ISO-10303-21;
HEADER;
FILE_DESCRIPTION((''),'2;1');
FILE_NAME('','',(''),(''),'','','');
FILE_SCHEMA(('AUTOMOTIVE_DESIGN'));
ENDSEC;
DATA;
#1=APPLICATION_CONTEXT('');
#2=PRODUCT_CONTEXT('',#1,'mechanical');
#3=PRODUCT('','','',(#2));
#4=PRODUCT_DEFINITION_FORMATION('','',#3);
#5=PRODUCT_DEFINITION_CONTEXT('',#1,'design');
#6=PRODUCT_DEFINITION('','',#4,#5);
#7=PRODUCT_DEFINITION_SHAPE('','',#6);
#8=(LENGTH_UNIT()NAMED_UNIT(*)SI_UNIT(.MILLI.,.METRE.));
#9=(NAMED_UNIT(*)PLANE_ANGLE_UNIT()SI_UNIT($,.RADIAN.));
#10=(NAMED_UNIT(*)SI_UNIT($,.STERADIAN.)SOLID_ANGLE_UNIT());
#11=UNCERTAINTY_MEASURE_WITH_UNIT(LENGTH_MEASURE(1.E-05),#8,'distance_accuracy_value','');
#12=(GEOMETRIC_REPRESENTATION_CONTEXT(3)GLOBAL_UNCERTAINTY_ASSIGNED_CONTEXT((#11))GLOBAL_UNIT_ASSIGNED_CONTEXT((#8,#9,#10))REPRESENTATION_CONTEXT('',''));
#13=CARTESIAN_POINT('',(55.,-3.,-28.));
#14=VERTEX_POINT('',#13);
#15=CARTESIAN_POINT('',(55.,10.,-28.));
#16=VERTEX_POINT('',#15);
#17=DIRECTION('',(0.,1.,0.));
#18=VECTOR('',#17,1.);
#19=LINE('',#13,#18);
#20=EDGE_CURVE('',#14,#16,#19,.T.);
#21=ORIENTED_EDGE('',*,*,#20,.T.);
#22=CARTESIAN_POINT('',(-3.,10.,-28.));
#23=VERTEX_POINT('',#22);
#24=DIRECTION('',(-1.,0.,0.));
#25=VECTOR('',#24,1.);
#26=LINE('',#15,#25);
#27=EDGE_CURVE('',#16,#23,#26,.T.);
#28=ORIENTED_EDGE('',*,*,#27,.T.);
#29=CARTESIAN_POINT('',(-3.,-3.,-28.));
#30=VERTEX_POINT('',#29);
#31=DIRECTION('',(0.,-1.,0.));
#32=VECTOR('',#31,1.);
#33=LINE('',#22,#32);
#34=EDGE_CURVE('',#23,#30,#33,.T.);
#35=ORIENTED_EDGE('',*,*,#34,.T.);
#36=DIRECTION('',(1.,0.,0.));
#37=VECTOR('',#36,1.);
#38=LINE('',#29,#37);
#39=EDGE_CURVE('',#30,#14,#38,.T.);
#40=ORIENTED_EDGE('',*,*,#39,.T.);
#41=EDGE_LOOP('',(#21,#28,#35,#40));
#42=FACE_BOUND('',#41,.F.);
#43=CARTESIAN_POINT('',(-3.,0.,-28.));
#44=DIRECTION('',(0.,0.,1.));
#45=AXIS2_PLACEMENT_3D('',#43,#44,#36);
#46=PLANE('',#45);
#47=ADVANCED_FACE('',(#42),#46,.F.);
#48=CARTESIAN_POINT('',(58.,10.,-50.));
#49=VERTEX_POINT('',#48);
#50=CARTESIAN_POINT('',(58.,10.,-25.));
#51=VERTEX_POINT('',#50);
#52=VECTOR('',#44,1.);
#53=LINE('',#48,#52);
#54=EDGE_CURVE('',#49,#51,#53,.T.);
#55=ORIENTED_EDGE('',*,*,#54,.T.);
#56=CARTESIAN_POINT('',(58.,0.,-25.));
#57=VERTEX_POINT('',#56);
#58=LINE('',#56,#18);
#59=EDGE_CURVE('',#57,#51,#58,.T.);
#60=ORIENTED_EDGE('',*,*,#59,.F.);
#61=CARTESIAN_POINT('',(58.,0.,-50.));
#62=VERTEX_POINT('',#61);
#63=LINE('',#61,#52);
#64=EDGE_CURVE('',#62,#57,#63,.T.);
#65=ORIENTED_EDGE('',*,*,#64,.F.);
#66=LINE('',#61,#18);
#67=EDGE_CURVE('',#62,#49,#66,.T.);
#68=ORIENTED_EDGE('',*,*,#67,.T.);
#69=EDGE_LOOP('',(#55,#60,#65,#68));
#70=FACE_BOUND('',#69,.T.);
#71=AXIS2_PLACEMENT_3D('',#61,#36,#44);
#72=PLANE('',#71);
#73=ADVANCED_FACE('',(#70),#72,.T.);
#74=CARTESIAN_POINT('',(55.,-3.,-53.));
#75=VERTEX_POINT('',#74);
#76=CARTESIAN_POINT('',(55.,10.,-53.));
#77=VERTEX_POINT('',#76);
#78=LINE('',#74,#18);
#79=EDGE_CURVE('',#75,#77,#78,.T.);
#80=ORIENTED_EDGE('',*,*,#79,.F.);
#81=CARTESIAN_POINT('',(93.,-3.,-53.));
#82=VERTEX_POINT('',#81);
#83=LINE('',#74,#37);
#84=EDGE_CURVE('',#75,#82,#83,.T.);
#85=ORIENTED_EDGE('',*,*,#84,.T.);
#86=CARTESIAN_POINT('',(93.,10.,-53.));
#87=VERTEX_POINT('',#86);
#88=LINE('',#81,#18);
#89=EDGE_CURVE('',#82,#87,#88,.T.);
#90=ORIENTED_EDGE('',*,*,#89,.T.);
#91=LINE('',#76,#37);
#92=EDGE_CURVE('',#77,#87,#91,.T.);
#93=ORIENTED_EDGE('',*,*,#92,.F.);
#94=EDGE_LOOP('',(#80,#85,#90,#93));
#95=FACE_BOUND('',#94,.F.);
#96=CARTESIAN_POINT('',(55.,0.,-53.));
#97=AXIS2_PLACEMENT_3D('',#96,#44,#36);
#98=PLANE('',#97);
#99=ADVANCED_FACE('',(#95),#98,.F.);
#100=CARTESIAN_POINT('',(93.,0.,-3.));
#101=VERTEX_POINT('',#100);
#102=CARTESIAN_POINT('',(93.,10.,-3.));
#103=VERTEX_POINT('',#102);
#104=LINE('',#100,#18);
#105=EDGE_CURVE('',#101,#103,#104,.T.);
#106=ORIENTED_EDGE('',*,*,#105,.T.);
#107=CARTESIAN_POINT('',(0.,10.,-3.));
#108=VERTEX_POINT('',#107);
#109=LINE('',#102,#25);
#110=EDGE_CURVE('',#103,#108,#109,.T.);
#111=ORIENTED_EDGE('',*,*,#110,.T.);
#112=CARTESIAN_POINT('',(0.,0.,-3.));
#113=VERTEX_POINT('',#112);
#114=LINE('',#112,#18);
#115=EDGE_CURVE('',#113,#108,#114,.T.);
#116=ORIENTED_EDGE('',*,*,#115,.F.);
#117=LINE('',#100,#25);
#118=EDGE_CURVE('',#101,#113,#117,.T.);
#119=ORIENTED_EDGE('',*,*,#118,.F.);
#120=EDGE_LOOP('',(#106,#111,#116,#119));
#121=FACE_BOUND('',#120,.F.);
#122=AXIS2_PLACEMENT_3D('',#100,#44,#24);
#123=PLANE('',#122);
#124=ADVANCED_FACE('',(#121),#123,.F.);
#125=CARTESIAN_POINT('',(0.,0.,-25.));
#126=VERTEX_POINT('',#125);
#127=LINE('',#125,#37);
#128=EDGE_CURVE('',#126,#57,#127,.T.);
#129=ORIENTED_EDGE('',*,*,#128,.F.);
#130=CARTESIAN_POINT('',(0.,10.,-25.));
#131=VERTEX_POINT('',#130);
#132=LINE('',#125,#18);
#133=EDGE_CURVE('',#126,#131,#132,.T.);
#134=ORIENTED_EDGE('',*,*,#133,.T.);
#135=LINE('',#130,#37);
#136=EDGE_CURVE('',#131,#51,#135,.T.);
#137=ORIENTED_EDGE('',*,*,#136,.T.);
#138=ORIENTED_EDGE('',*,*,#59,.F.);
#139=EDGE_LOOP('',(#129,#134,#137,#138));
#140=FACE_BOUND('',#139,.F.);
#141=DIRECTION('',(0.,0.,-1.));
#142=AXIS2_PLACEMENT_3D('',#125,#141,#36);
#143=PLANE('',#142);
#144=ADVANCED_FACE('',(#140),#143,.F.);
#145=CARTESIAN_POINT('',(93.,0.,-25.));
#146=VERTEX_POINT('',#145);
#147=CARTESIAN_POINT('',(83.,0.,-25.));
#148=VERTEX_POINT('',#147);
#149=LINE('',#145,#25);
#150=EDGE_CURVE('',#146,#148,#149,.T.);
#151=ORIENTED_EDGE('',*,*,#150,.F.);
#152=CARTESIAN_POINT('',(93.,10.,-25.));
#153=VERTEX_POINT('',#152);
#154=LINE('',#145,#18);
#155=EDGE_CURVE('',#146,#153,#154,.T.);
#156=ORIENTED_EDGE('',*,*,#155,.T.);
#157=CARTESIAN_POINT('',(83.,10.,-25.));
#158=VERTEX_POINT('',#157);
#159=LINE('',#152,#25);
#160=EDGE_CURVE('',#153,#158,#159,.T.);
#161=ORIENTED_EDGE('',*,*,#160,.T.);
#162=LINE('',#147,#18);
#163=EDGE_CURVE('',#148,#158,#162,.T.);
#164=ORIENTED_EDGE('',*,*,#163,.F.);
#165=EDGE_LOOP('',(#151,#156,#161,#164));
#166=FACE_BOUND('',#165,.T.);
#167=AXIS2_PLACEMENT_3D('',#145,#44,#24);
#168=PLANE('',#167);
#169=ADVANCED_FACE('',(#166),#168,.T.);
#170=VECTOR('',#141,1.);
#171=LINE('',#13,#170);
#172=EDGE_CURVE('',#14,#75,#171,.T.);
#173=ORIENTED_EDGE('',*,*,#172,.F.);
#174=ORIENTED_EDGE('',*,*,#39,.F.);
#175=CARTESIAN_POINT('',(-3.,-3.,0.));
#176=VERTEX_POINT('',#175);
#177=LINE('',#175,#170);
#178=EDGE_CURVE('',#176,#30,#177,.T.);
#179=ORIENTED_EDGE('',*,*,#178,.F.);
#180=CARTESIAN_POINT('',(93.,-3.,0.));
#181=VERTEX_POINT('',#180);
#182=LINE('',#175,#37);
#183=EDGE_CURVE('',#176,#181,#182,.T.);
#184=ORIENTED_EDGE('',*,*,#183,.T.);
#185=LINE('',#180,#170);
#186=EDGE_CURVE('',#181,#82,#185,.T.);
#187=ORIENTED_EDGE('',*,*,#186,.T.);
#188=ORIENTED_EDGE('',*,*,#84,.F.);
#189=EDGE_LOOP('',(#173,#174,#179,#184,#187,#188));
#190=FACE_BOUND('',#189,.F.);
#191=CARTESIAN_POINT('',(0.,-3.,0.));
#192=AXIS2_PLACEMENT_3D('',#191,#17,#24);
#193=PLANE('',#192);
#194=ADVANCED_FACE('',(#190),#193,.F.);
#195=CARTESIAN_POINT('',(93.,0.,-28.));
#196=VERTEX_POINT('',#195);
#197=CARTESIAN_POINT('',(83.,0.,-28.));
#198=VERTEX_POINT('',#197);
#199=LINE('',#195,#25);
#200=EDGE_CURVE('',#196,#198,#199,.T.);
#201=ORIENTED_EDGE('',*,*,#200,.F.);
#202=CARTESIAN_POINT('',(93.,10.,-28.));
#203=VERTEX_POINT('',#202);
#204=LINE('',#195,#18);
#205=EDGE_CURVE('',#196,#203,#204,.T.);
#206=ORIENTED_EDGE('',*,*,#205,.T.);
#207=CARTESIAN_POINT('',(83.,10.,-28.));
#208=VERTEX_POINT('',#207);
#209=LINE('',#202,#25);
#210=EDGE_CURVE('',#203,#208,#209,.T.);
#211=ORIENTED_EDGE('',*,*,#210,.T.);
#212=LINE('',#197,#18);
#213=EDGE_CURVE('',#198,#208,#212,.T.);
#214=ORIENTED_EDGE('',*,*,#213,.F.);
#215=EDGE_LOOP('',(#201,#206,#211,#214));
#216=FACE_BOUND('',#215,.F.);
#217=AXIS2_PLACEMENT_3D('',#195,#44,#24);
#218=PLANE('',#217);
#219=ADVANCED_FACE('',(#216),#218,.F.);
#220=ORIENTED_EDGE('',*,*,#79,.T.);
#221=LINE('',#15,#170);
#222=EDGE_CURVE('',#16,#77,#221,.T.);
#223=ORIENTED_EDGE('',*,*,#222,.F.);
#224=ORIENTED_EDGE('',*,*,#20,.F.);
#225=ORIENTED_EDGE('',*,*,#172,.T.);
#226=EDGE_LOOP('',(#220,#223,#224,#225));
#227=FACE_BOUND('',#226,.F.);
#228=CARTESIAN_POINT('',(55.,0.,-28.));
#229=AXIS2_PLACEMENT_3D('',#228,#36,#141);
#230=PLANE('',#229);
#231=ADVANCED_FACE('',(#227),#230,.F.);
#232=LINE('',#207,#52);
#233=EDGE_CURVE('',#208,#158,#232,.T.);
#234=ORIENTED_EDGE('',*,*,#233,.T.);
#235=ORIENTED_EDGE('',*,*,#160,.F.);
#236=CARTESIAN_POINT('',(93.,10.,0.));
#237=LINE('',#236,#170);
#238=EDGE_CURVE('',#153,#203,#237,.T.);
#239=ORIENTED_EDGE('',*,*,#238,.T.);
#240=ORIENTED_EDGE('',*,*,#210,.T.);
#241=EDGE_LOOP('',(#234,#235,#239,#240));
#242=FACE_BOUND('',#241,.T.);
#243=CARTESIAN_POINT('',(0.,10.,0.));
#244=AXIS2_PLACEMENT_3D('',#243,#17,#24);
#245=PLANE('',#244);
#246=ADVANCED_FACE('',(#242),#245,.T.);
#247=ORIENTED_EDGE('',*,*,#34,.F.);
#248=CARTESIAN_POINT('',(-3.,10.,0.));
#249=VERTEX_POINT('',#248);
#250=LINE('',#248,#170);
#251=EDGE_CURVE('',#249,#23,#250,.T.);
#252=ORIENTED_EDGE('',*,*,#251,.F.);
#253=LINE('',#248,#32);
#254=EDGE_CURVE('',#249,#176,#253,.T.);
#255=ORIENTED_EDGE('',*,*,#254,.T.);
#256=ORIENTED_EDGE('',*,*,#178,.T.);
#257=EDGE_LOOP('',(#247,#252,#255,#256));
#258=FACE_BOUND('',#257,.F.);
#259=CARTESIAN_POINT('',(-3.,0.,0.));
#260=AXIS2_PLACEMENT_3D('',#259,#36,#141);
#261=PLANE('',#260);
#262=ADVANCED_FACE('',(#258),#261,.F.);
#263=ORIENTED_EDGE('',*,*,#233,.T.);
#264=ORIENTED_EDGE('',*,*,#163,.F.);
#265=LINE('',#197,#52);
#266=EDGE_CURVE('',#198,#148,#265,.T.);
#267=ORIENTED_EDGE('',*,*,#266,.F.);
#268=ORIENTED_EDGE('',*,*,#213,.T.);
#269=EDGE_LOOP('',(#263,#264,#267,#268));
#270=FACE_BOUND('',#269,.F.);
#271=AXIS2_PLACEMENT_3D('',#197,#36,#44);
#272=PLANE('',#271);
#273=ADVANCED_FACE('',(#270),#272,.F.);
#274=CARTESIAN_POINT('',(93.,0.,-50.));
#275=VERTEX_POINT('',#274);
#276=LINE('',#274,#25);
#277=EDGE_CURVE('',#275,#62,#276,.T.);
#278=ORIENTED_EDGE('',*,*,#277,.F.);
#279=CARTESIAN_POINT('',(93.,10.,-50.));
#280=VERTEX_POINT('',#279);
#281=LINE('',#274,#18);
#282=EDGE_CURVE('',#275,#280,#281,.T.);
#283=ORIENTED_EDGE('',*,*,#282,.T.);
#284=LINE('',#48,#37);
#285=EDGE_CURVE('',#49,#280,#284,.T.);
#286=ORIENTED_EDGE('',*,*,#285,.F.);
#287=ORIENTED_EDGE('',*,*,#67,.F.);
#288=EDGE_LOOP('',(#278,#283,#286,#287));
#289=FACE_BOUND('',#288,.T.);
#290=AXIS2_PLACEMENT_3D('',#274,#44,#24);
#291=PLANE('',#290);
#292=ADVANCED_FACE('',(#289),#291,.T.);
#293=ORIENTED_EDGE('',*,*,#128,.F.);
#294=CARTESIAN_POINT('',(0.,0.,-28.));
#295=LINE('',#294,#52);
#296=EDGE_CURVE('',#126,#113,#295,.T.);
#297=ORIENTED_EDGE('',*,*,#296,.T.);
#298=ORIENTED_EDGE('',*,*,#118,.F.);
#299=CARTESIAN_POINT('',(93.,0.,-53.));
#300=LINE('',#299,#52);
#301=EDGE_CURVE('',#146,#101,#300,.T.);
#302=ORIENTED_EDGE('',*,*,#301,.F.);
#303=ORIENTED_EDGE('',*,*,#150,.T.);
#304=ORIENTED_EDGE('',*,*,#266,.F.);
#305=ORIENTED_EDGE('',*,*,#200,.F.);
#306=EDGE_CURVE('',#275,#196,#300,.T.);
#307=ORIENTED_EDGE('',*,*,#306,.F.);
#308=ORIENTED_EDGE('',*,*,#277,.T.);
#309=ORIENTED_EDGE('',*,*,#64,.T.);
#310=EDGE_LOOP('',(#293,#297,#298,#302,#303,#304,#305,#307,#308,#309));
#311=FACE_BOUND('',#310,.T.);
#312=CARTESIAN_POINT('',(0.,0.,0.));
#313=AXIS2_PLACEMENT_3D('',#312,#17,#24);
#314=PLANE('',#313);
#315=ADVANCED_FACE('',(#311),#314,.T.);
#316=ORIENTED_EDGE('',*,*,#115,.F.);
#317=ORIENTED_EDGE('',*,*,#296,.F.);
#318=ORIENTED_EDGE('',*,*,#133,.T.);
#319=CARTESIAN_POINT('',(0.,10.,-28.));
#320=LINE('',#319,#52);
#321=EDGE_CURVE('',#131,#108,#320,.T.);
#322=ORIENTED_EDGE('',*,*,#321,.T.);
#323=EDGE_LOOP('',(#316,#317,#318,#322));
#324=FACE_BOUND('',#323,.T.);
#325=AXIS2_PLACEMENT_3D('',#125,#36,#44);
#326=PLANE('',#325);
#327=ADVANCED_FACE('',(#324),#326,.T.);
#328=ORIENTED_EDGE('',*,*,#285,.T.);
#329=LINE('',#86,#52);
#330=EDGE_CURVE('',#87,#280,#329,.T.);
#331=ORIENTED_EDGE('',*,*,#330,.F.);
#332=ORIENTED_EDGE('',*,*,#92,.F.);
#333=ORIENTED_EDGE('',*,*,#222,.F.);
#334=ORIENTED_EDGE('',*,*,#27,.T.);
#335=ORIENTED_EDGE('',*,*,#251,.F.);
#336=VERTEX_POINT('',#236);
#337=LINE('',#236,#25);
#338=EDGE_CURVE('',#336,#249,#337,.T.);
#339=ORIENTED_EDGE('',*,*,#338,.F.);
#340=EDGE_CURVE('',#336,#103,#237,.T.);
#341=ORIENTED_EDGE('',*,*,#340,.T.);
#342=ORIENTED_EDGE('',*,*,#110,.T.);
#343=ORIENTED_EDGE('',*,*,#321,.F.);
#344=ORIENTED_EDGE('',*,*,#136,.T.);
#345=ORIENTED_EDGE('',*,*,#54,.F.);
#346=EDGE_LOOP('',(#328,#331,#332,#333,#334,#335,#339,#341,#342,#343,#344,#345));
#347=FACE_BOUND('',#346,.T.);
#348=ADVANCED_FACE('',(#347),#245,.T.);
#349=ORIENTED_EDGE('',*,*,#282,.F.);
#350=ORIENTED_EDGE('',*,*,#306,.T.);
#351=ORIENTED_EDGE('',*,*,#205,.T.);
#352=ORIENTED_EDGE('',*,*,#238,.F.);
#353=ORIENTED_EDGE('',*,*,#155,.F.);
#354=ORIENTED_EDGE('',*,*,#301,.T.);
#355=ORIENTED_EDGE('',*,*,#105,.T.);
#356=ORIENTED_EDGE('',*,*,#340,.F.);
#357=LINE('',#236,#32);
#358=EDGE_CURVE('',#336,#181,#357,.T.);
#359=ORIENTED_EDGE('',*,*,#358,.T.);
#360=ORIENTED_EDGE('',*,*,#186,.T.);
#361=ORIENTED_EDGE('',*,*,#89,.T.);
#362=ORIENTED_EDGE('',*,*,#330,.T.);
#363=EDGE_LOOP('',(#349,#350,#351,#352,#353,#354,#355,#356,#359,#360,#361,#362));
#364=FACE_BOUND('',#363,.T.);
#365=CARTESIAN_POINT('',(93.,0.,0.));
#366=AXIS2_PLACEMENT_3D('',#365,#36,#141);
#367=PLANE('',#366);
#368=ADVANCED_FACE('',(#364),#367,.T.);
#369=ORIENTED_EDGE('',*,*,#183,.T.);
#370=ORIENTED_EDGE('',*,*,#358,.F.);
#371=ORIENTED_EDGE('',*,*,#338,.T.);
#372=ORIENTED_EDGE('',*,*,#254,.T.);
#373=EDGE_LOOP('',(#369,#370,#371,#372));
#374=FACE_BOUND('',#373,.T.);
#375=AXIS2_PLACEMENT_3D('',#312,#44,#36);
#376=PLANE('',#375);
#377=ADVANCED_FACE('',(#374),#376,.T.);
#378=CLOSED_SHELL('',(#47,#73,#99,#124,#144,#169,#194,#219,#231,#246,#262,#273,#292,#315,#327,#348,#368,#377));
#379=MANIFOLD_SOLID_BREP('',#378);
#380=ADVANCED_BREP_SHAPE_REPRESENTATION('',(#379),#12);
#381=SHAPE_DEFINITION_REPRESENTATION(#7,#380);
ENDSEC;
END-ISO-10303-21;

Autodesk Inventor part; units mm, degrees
ref_plane "YZ Plane" through (0, 0, 0) normal (1, 0, 0) x (0, 1, 0)
ref_plane "XZ Plane" through (0, 0, 0) normal (0, 1, 0) x (-1, 0, 0)
ref_plane "XY Plane" through (0, 0, 0) normal (0, 0, 1) x (1, 0, 0)
sketch "Esboço1" plane through (0, 0, 0) normal (0, 1, 0) x (-1, 0, 0)
  line L0 (-93, -3) -> (0, -3)
  line L1 (0, -25) -> (-58, -25)
  line L2 (-93, 0) -> (-93, -28)
  line L3 (-93, -28) -> (-83, -28)
  line L4 (-55, -28) -> (0, -28)
  line L5 (0, -28) -> (0, 0)
  line L6 (0, 0) -> (-93, 0)
  line L7 (-55, -28) -> (-55, -53)
  line L8 (-55, -53) -> (-93, -53)
  line L9 (-93, -53) -> (-93, -50)
  line L10 (-93, -50) -> (-58, -50)
  line L11 (-58, -50) -> (-58, -25)
  arc A0 (-83, -50) -> (-58, -25) centre (-83, -25) ccw
  arc A1 (-83, -28) -> (-80, -25) centre (-83, -25) ccw
  line L12 (-93, -25) -> (-80, -25)
  line L13 (0, 0) -> (3, 0)
  line L14 (3, 0) -> (3, -28)
  line L15 (3, -28) -> (0, -28)
  line L16 (-83, -28) -> (-83, -25)
  line L17 (-93, -50) -> (-93, -28)
  point P0 (-93, -14)
  point P1 (-93, -51.5)
  point P2 (-83, -28)
  dimension "d7" = 22
  dimension "d9" = 3
  dimension "d10" = 3
  dimension "d13" = 3
  dimension "d14" = 3
  dimension "d16" = 22
  dimension "d20" = 22
  dimension "d21" = 80
  dimension "d29" = 3
  dimension "d31" = 10
extrude "Extrusão1" add sketch "Esboço1" against normal blind 3
extrude "Extrusão2" add sketch "Esboço1" along normal blind 10 contours L2 L6 L5 L0 | L5 L13 L14 L15 | L12 L16 L3 L2 | L5 L4 L7 L8 L9 L10 L11 L1
equation "\"d9\" = mdf"
equation "\"d10\" = mdf"
equation "\"d13\" = mdf"
equation "\"d14\" = mdf"
equation "\"mdf\" = 3"
equation "\"margem\" = 1"
properties part number "Trilho 5 min"
